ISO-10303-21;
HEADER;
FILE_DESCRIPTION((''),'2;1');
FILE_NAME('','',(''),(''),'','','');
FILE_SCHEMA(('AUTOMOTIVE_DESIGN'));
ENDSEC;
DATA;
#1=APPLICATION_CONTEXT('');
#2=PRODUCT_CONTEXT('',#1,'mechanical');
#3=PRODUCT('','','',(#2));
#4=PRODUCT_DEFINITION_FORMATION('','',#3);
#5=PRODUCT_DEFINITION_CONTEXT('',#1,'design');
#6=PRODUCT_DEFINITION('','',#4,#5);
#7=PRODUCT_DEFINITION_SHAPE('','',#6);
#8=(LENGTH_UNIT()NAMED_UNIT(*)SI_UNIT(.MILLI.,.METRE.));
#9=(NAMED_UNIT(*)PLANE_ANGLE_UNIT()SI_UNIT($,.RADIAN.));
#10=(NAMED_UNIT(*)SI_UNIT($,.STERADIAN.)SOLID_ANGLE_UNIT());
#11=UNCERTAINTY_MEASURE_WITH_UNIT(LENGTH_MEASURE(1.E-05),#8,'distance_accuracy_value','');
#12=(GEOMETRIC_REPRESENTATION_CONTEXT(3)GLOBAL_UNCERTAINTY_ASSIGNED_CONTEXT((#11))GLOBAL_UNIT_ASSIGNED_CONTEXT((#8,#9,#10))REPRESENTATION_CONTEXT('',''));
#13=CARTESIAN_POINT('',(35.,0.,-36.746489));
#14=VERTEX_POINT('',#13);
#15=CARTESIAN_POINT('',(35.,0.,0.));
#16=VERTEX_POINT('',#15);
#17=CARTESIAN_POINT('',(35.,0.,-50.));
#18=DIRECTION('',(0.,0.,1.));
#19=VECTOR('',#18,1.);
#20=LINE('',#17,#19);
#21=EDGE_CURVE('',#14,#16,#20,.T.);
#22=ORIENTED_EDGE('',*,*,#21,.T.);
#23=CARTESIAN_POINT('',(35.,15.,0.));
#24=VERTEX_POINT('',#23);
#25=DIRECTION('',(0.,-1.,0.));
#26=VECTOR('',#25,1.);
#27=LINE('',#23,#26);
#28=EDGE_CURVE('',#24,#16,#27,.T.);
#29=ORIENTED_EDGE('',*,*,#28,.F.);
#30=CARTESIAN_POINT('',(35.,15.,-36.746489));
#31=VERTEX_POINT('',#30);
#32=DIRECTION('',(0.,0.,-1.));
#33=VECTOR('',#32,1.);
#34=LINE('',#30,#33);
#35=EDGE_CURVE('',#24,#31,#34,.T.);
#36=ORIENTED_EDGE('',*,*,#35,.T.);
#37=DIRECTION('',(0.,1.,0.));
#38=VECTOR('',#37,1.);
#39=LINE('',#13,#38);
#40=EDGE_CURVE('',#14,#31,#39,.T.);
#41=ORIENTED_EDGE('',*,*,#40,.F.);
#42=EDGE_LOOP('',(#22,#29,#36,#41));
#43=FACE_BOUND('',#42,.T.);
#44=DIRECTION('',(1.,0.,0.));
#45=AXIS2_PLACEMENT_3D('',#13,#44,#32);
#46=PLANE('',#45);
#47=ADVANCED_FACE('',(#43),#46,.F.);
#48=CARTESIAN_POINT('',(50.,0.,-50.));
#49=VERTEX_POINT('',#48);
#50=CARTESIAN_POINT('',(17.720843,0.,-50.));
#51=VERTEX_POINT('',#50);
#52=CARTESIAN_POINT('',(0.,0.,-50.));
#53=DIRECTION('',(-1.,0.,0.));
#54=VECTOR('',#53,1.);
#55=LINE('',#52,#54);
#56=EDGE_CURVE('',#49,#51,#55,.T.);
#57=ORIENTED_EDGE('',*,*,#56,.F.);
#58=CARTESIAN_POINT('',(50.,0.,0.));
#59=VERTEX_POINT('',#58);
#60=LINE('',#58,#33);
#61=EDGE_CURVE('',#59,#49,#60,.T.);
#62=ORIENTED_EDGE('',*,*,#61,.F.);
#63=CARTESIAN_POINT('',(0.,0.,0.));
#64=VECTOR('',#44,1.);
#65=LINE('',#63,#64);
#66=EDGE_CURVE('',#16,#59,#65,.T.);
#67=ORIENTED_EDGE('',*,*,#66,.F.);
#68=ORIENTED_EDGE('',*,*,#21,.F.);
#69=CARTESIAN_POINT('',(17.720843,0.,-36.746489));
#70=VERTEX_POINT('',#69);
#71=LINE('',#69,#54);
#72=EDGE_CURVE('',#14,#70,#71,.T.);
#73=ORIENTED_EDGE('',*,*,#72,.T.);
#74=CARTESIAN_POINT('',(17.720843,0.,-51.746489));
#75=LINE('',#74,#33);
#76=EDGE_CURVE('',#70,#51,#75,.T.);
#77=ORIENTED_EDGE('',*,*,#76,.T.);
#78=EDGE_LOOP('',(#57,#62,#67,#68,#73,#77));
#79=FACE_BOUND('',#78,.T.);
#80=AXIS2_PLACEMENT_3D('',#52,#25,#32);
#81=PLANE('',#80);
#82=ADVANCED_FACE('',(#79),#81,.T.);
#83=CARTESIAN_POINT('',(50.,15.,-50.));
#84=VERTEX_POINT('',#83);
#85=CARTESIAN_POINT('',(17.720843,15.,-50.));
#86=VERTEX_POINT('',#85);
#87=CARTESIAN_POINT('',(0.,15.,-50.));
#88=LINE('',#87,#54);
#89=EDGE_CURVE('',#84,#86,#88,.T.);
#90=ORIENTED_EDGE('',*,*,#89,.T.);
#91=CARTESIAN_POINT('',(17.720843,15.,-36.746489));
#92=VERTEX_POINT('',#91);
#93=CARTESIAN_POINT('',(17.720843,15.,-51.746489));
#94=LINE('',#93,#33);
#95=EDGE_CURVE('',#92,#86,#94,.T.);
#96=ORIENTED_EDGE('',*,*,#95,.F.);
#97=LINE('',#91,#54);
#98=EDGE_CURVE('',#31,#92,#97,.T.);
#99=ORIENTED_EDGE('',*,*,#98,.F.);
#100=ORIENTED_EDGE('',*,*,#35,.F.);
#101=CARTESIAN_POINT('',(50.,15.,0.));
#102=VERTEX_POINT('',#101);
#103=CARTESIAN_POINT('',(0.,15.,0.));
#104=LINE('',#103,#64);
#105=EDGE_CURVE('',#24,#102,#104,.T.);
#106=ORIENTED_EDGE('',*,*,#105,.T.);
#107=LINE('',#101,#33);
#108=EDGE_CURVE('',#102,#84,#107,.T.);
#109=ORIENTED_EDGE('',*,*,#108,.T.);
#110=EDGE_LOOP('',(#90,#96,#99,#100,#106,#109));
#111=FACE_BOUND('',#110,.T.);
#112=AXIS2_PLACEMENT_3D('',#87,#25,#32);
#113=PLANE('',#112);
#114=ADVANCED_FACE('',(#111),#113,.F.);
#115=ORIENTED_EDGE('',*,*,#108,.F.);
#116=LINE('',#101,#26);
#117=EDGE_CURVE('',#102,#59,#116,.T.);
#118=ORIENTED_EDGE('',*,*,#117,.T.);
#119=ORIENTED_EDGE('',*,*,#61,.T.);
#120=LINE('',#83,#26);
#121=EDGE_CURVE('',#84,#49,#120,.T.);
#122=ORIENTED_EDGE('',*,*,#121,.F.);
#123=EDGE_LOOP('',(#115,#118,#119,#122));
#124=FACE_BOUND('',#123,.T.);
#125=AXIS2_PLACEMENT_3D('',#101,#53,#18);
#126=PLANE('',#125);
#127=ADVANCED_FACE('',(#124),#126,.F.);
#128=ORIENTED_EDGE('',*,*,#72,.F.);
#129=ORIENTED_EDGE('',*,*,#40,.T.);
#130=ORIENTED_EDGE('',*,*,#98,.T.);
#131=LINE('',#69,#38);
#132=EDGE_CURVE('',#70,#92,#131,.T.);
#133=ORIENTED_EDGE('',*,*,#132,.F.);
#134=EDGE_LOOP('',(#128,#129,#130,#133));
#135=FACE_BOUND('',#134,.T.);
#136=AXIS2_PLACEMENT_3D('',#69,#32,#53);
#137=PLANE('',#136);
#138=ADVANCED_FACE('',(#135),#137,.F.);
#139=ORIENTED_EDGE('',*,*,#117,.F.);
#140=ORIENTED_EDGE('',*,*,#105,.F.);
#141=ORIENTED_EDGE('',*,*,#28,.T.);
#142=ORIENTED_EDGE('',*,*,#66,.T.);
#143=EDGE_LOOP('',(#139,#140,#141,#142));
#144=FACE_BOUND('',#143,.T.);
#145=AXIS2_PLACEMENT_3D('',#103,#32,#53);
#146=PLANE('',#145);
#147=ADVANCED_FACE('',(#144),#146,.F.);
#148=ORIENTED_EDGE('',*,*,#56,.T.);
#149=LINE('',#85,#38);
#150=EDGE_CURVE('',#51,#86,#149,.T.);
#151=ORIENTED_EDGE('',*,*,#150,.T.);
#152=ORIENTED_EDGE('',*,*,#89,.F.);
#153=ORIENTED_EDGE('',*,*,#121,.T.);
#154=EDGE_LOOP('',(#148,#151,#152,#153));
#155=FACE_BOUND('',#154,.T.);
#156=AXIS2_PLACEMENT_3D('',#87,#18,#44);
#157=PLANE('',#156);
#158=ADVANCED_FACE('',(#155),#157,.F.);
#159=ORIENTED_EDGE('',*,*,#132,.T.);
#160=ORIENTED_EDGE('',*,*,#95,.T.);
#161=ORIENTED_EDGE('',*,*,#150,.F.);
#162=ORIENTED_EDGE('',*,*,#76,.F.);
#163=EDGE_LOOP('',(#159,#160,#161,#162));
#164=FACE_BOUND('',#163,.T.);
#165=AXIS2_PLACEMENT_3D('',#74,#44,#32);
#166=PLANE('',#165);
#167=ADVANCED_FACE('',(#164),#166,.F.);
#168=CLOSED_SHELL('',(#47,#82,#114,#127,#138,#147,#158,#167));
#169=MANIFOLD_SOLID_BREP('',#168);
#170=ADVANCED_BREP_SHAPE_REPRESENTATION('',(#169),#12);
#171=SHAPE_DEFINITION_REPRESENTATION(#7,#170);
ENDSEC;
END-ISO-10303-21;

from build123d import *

# Parameters (mm, degrees)
SKETCH1_W           = 50
SKETCH1_H           = 50
BOSS_EXTRUDE1_DEPTH = 15
CUT_EXTRUDE1_DEPTH  = 73.284161474


with BuildPart() as part:
    # Sketch1 → Boss-Extrude1 (new body)
    with BuildSketch(Plane(origin=(0, 0, 0), x_dir=(1, 0, 0), z_dir=(0, 1, 0))):
        with Locations((25, 25)):
            Rectangle(SKETCH1_W, SKETCH1_H)
    extrude(amount=BOSS_EXTRUDE1_DEPTH)

    # Sketch2 → Cut-Extrude1 (cut, through all)
    with BuildSketch(Plane(origin=(0, 15, 0), x_dir=(1, 0, 0), z_dir=(0, 1, 0))):
        Polygon((17.720843029, 51.746489104), (17.720843029, 36.746489104), (35, 36.746489104), (35, -6.576637999), (-8.682924796, -6.576637999), (-8.682924796, 51.746489104), align=None)
    extrude(amount=-CUT_EXTRUDE1_DEPTH, mode=Mode.SUBTRACT)


solid = part.part
